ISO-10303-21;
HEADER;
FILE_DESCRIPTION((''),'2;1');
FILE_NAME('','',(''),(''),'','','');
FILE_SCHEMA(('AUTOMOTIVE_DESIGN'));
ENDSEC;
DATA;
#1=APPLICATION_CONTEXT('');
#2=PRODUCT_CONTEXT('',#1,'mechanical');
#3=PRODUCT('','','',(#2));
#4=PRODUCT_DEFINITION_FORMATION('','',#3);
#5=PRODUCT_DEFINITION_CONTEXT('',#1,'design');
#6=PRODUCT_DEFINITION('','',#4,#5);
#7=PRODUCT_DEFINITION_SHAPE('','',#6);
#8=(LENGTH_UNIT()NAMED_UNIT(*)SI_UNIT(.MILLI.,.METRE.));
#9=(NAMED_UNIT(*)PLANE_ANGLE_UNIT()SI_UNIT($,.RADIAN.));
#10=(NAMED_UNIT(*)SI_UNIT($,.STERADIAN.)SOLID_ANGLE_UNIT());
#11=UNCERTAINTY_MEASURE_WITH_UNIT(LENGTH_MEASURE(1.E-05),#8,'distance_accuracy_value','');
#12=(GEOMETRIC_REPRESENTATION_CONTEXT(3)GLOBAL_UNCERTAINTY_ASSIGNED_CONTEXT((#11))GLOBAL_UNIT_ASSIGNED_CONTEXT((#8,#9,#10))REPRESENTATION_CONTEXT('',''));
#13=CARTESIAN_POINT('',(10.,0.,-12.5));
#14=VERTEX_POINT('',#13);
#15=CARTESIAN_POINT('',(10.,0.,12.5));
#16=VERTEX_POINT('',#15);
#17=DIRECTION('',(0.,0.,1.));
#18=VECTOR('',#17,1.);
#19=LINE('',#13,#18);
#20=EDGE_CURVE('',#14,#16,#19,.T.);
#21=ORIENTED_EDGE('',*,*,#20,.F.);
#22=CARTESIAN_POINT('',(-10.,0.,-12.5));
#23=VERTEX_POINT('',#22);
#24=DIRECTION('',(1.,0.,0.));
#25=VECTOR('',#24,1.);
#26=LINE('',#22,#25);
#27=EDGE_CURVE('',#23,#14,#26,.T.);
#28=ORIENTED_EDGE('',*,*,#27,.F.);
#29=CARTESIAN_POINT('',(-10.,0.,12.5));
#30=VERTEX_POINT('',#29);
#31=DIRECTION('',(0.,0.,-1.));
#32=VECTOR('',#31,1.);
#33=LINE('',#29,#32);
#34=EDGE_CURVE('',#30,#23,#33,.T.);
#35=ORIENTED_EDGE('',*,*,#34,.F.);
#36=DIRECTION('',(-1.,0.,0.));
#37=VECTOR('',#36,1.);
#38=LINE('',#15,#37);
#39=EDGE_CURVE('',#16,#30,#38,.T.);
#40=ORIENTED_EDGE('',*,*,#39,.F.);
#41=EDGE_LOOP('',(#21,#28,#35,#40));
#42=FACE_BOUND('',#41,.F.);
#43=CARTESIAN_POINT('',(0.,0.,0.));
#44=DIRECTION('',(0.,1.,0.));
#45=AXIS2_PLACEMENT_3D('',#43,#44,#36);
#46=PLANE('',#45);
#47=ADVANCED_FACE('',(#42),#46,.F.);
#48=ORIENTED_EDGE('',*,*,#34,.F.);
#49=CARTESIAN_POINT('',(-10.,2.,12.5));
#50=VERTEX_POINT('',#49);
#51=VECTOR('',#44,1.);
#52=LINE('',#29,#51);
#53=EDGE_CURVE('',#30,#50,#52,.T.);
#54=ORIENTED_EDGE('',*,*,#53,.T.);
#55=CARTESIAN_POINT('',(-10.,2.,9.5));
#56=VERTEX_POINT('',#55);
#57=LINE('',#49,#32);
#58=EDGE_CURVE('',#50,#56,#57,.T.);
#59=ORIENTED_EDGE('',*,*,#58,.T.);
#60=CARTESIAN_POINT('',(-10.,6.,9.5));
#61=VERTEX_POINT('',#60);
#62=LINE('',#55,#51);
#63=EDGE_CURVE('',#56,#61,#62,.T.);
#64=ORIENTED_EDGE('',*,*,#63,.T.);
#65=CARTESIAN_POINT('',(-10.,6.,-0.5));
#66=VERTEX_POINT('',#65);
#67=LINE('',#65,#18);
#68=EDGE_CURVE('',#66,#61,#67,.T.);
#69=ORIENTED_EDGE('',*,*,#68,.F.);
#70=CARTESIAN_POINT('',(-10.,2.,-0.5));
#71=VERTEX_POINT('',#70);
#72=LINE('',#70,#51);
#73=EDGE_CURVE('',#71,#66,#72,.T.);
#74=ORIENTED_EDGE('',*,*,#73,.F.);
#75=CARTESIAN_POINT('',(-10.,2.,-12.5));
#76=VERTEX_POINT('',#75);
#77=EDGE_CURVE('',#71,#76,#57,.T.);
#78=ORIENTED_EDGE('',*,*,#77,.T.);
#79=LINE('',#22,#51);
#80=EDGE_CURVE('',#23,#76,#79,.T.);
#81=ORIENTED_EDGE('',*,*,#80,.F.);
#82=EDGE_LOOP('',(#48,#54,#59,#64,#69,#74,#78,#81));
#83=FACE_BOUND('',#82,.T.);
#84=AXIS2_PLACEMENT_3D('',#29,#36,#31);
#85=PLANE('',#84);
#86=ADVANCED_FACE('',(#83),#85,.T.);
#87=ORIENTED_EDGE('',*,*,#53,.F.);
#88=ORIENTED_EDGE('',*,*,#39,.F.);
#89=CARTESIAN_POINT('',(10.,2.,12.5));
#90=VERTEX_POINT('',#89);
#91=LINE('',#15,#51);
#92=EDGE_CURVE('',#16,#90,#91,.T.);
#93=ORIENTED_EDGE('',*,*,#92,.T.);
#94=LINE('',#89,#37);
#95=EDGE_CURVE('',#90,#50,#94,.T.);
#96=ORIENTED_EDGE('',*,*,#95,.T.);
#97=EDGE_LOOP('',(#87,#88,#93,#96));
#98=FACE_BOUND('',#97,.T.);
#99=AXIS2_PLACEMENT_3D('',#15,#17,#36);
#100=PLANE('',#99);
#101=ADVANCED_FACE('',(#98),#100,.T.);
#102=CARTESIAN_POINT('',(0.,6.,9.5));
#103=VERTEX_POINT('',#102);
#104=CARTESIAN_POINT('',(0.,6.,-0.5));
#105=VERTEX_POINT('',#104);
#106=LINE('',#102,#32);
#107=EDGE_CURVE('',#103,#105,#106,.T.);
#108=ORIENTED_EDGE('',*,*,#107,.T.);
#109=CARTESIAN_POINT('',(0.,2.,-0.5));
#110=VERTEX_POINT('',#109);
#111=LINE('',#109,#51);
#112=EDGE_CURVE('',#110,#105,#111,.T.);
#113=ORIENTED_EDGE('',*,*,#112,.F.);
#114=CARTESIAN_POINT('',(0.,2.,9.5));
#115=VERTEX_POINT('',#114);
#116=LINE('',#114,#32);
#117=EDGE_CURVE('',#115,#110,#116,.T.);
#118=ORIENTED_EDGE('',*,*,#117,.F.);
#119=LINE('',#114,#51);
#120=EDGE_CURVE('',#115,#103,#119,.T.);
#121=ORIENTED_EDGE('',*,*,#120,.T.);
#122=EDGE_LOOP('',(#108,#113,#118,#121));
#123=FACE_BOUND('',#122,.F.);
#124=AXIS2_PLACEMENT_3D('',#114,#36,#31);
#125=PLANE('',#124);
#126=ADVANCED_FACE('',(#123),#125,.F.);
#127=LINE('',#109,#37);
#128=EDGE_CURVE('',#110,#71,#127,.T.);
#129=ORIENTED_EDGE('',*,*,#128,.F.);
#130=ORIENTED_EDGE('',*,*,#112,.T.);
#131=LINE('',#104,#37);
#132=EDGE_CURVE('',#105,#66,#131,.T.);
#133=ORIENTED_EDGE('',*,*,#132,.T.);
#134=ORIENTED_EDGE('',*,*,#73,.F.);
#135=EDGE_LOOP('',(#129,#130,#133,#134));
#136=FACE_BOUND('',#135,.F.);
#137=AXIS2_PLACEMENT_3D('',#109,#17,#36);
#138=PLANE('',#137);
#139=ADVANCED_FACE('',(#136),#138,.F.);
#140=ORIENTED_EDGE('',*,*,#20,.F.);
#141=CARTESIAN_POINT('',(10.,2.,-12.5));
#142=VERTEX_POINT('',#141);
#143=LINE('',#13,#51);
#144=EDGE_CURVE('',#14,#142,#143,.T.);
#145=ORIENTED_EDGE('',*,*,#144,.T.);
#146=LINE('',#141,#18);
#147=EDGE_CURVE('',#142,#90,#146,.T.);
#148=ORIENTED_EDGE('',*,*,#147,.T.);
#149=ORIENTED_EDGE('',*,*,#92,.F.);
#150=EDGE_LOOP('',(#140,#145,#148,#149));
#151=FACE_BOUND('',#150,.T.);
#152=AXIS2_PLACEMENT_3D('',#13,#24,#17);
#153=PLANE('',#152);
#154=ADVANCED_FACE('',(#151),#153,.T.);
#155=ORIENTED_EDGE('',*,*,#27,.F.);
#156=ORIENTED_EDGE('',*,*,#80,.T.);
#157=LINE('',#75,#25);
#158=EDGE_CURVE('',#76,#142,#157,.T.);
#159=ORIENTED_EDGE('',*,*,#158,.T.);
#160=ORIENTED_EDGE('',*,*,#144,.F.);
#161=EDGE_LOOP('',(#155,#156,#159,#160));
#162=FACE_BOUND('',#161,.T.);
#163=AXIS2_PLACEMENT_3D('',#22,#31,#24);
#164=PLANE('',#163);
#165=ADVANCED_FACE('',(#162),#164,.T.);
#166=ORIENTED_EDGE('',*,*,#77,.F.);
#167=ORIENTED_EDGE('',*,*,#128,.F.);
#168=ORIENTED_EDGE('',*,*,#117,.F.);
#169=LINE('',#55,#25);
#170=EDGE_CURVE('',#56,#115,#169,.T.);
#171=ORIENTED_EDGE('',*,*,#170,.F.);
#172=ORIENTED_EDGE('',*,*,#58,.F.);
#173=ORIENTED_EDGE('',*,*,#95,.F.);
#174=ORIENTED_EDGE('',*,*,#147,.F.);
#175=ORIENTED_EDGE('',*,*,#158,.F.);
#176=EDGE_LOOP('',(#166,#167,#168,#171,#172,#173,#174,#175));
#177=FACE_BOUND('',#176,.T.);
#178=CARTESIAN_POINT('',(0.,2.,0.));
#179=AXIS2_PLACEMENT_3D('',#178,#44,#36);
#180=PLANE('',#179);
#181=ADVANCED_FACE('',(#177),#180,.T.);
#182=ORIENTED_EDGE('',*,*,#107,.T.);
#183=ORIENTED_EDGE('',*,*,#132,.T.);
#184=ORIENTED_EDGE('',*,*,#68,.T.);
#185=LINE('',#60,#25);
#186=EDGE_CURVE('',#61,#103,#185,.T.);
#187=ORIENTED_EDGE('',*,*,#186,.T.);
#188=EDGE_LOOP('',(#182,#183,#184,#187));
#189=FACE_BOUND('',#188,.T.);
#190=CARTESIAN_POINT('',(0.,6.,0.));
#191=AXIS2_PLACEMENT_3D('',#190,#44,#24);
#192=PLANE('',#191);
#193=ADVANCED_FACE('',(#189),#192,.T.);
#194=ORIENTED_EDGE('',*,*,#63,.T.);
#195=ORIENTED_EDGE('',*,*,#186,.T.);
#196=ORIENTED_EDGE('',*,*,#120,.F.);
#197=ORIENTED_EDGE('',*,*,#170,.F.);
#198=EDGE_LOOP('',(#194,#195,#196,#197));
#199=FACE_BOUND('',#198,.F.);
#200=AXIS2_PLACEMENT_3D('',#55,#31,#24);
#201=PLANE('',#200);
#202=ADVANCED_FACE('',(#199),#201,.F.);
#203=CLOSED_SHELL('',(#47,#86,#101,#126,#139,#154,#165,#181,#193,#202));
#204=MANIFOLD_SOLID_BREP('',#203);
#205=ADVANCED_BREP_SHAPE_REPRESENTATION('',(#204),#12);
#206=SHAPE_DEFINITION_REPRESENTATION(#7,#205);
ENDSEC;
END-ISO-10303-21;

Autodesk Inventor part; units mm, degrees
ref_plane "YZ Plane" through (0, 0, 0) normal (1, 0, 0) x (0, 1, 0)
ref_plane "XZ Plane" through (0, 0, 0) normal (0, 1, 0) x (-1, 0, 0)
ref_plane "XY Plane" through (0, 0, 0) normal (0, 0, 1) x (1, 0, 0)
sketch "Sketch1" plane through (0, 0, 0) normal (0, 1, 0) x (-1, 0, 0)
  line L0 (-10, 12.5) -> (10, 12.5)
  line L1 (10, 12.5) -> (10, -12.5)
  line L2 (10, -12.5) -> (-10, -12.5)
  line L3 (-10, -12.5) -> (-10, 12.5)
  line L4 (-10, 12.5) -> (10, -12.5) construction
  line L5 (10, 12.5) -> (-10, -12.5) construction
  point P0 (0, 0)
  dimension "d0" = 20
  dimension "d1" = 25
extrude "Extrusion1" add sketch "Sketch1" along normal blind 2
sketch "Sketch2" plane through (0, 2, 0) normal (0, 1, 0) x (1, 0, 0)
  line L0 (-10, -9.5) -> (0, -9.5)
  line L1 (0, -9.5) -> (0, 0.5)
  line L2 (0, 0.5) -> (-10, 0.5)
  line L3 (-10, 0.5) -> (-10, -9.5)
  point P0 (0, 0)
  dimension "d4" = 10
  dimension "d5" = 10
extrude "Extrusion2" add sketch "Sketch2" along normal blind 4
properties part number "POWER_DELIVERY"
